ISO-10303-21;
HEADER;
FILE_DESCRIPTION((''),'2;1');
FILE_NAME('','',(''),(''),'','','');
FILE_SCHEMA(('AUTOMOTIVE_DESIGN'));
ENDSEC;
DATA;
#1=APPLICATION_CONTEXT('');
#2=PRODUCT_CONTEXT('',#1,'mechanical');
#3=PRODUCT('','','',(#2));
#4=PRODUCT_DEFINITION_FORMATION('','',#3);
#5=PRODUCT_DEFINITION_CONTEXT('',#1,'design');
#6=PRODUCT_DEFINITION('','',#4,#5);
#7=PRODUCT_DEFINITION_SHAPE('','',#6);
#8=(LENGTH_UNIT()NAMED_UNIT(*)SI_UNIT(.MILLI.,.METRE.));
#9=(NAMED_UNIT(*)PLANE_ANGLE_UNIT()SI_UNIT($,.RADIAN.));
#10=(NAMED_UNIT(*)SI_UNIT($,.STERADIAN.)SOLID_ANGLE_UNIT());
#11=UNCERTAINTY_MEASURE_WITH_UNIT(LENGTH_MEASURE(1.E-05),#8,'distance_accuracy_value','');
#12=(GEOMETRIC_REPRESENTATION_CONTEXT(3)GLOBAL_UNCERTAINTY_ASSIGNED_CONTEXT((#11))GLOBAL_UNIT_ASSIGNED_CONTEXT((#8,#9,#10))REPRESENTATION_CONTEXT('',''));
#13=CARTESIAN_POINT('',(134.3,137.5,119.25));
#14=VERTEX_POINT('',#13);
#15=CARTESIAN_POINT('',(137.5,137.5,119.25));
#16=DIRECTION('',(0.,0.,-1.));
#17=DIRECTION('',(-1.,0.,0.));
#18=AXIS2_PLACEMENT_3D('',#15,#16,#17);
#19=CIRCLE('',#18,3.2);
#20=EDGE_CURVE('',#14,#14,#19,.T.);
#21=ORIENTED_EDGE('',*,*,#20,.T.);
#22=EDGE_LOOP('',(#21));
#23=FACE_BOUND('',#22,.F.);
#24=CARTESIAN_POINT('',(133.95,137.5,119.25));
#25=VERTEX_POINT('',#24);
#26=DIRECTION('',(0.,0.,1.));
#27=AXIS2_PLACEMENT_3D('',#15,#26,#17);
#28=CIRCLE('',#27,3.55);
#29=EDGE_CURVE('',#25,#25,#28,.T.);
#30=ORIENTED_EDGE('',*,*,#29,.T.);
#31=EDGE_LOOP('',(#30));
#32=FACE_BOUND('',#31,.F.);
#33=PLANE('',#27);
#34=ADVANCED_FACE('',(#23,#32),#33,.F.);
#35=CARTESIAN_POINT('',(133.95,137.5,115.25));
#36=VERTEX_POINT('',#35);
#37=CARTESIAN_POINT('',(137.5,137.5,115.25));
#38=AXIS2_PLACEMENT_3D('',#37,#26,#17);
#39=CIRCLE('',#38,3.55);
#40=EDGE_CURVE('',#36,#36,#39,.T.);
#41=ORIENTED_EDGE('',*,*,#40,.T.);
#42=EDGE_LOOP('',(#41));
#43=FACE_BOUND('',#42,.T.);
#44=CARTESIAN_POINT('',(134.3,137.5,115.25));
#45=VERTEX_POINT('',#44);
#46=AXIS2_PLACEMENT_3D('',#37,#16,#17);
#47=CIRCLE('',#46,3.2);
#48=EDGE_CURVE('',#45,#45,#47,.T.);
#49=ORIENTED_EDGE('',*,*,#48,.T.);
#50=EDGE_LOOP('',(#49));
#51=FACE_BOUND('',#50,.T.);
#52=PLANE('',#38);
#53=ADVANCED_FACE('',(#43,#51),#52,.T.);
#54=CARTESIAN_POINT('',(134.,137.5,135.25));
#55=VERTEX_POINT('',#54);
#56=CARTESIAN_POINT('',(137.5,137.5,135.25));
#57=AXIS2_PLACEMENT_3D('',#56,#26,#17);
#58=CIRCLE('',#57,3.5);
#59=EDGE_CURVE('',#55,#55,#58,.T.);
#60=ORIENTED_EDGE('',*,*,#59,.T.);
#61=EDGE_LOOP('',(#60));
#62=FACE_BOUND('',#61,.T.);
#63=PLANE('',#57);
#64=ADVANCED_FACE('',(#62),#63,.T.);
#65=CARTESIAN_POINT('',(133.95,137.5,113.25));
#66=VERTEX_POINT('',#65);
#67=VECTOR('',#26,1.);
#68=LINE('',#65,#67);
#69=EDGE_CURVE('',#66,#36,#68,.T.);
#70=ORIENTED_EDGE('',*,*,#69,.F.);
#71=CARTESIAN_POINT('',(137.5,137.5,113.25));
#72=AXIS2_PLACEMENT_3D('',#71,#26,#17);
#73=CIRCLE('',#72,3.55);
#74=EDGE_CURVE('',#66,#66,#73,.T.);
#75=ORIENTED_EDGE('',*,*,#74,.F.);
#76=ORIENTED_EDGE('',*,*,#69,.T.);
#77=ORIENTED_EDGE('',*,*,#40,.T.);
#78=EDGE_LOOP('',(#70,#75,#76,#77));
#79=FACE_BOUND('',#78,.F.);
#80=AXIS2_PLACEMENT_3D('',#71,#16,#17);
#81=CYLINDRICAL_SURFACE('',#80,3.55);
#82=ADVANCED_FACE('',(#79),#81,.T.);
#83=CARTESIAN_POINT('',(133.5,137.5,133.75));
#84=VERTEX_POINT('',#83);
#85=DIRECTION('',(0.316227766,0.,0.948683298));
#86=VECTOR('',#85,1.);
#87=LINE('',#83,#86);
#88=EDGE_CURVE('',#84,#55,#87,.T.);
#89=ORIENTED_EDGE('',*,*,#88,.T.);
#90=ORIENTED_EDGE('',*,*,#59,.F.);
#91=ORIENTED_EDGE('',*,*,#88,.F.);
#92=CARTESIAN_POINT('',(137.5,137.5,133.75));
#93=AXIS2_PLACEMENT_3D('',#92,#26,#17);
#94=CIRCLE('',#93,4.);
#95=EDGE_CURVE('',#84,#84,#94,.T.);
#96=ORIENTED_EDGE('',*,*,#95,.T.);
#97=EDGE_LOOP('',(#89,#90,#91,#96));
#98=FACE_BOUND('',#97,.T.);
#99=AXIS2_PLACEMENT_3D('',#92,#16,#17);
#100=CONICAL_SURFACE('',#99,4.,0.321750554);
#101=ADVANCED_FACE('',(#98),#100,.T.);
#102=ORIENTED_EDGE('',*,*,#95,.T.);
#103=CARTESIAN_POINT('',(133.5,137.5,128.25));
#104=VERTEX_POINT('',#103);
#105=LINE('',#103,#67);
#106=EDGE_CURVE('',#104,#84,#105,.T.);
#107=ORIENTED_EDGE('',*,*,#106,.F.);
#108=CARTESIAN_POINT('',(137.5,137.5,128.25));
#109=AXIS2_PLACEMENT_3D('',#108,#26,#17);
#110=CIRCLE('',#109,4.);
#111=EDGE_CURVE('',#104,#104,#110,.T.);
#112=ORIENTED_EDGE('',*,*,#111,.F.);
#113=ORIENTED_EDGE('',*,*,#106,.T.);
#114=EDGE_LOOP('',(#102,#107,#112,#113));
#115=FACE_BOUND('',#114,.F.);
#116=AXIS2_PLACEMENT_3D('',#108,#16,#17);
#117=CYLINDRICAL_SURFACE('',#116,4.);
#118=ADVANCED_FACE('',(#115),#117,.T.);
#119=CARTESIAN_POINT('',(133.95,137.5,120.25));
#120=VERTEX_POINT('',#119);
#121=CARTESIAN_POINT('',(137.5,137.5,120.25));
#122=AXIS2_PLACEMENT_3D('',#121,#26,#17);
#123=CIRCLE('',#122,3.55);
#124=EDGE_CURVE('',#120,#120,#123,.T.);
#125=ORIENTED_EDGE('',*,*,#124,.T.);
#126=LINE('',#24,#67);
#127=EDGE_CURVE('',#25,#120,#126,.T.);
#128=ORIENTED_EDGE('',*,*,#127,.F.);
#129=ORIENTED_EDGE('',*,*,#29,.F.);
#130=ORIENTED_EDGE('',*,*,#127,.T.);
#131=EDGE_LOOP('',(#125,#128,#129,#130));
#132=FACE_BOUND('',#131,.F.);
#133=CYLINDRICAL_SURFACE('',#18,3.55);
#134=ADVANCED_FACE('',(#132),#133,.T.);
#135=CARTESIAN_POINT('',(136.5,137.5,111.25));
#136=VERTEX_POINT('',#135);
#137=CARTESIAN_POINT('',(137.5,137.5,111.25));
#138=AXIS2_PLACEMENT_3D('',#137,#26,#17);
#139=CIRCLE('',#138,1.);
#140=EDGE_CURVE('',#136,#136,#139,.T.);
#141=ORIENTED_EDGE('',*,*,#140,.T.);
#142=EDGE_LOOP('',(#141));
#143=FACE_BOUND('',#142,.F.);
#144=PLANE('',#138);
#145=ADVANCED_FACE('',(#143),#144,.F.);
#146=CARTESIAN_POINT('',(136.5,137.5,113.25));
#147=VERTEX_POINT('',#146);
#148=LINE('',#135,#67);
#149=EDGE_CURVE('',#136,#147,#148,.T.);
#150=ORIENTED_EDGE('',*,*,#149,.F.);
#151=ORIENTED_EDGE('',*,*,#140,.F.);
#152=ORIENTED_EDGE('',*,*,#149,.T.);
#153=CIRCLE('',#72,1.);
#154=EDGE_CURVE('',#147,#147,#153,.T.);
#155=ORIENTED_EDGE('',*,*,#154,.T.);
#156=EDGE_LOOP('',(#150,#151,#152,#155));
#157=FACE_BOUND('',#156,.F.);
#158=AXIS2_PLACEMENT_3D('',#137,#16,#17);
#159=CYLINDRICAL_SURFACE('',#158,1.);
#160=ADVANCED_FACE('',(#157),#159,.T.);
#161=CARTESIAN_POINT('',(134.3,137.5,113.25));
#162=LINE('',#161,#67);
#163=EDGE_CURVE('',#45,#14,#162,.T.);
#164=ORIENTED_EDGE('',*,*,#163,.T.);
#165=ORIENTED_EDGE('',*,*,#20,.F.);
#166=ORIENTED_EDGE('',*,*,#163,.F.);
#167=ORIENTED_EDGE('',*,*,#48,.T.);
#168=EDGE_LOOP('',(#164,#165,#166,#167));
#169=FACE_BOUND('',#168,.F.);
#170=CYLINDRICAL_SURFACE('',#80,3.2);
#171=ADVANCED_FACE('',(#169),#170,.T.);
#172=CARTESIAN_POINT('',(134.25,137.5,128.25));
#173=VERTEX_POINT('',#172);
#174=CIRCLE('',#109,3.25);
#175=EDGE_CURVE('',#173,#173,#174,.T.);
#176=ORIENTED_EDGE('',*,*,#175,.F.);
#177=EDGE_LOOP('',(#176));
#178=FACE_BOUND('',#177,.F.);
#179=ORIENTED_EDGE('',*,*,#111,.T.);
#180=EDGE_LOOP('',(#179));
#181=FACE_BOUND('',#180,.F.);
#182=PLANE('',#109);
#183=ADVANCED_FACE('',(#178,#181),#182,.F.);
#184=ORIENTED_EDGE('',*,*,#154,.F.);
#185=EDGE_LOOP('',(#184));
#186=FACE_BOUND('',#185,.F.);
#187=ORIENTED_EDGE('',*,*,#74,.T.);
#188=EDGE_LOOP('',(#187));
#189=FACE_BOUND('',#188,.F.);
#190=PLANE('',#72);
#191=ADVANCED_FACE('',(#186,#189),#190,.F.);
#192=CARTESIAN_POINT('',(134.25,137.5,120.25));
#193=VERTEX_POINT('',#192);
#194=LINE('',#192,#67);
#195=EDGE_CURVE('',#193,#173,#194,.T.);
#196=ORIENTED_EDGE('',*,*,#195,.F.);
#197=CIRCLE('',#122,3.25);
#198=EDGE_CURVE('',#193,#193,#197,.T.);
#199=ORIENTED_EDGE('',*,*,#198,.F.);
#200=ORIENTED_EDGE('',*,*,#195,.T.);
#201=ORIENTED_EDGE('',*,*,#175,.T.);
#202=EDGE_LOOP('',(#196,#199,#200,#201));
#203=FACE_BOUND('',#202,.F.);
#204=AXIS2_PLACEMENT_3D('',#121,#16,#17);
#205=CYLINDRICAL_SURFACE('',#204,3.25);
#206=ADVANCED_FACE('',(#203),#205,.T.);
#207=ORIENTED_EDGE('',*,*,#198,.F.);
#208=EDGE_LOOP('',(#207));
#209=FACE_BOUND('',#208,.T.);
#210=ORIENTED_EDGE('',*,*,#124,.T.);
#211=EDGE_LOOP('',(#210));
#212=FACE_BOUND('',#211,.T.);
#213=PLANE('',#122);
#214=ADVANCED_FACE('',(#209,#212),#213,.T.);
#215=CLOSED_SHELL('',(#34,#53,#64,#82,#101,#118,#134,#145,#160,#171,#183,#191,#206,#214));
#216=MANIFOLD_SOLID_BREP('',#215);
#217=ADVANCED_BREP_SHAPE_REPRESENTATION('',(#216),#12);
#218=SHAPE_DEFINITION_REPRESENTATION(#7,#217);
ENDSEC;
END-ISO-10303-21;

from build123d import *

# Parameters (mm, degrees)
CYLINDER020_R             = 3.2
CYLINDER020_DEPTH         = 22
CYLINDER021_R             = 3.55
CYLINDER021_DEPTH         = 2
CYLINDER022_R             = 3.55
CYLINDER022_DEPTH         = 1
CYLINDER023_R             = 3.25
CYLINDER023_DEPTH         = 8
CYLINDER024_R             = 4
CYLINDER024_DEPTH         = 5.5
CYLINDER025_R             = 1
CYLINDER025_DEPTH         = 2
FUSION055_PLACEMENT_ANGLE = 180


with BuildPart() as cylinder020:
    # Cylinder020 → Cylinder020 (new body)
    with BuildSketch(Plane.XY.offset(5)):
        Circle(CYLINDER020_R)
    extrude(amount=CYLINDER020_DEPTH)


with BuildPart() as cylinder021:
    # Cylinder021 → Cylinder021 (new body)
    with BuildSketch(Plane.XY.offset(5)):
        Circle(CYLINDER021_R)
    extrude(amount=CYLINDER021_DEPTH)


with BuildPart() as cylinder022:
    # Cylinder022 → Cylinder022 (new body)
    with BuildSketch(Plane.XY.offset(11)):
        Circle(CYLINDER022_R)
    extrude(amount=CYLINDER022_DEPTH)


with BuildPart() as cylinder023:
    # Cylinder023 → Cylinder023 (new body)
    with BuildSketch(Plane.XY.offset(12)):
        Circle(CYLINDER023_R)
    extrude(amount=CYLINDER023_DEPTH)


with BuildPart() as cylinder024:
    # Cylinder024 → Cylinder024 (new body)
    with BuildSketch(Plane.XY.offset(20)):
        Circle(CYLINDER024_R)
    extrude(amount=CYLINDER024_DEPTH)


with BuildPart() as fusion002:
    # Cone → Cone (revolve)
    with BuildSketch(Plane(origin=(0, 0, 25.5), x_dir=(1, 0, 0), z_dir=(0, -1, 0))):
        Polygon((0, 0), (4, 0), (3.5, 1.5), (0, 1.5), align=None)
    revolve(axis=Axis((0, 0, 25.5), (0, 0, 1)))

    # Fusion002: union Cylinder020, Cylinder021, Cylinder022, Cylinder023, Cylinder024
    add(cylinder020.part)
    add(cylinder021.part)
    add(cylinder022.part)
    add(cylinder023.part)
    add(cylinder024.part)


with BuildPart() as mic:
    # Cylinder025 → Cylinder025 (new body)
    with BuildSketch(Plane.XY.offset(3)):
        Circle(CYLINDER025_R)
    extrude(amount=CYLINDER025_DEPTH)

    # Fusion055: union Fusion002
    add(fusion002.part)


with BuildPart() as mic_1:
    # Fusion055 placement: moved
    add(mic.part.moved(Location((137.5, 137.5, 108.25))).rotate(Axis((137.5, 137.5, 108.25), (0, 0, 1)), FUSION055_PLACEMENT_ANGLE))


solid = mic_1.part
